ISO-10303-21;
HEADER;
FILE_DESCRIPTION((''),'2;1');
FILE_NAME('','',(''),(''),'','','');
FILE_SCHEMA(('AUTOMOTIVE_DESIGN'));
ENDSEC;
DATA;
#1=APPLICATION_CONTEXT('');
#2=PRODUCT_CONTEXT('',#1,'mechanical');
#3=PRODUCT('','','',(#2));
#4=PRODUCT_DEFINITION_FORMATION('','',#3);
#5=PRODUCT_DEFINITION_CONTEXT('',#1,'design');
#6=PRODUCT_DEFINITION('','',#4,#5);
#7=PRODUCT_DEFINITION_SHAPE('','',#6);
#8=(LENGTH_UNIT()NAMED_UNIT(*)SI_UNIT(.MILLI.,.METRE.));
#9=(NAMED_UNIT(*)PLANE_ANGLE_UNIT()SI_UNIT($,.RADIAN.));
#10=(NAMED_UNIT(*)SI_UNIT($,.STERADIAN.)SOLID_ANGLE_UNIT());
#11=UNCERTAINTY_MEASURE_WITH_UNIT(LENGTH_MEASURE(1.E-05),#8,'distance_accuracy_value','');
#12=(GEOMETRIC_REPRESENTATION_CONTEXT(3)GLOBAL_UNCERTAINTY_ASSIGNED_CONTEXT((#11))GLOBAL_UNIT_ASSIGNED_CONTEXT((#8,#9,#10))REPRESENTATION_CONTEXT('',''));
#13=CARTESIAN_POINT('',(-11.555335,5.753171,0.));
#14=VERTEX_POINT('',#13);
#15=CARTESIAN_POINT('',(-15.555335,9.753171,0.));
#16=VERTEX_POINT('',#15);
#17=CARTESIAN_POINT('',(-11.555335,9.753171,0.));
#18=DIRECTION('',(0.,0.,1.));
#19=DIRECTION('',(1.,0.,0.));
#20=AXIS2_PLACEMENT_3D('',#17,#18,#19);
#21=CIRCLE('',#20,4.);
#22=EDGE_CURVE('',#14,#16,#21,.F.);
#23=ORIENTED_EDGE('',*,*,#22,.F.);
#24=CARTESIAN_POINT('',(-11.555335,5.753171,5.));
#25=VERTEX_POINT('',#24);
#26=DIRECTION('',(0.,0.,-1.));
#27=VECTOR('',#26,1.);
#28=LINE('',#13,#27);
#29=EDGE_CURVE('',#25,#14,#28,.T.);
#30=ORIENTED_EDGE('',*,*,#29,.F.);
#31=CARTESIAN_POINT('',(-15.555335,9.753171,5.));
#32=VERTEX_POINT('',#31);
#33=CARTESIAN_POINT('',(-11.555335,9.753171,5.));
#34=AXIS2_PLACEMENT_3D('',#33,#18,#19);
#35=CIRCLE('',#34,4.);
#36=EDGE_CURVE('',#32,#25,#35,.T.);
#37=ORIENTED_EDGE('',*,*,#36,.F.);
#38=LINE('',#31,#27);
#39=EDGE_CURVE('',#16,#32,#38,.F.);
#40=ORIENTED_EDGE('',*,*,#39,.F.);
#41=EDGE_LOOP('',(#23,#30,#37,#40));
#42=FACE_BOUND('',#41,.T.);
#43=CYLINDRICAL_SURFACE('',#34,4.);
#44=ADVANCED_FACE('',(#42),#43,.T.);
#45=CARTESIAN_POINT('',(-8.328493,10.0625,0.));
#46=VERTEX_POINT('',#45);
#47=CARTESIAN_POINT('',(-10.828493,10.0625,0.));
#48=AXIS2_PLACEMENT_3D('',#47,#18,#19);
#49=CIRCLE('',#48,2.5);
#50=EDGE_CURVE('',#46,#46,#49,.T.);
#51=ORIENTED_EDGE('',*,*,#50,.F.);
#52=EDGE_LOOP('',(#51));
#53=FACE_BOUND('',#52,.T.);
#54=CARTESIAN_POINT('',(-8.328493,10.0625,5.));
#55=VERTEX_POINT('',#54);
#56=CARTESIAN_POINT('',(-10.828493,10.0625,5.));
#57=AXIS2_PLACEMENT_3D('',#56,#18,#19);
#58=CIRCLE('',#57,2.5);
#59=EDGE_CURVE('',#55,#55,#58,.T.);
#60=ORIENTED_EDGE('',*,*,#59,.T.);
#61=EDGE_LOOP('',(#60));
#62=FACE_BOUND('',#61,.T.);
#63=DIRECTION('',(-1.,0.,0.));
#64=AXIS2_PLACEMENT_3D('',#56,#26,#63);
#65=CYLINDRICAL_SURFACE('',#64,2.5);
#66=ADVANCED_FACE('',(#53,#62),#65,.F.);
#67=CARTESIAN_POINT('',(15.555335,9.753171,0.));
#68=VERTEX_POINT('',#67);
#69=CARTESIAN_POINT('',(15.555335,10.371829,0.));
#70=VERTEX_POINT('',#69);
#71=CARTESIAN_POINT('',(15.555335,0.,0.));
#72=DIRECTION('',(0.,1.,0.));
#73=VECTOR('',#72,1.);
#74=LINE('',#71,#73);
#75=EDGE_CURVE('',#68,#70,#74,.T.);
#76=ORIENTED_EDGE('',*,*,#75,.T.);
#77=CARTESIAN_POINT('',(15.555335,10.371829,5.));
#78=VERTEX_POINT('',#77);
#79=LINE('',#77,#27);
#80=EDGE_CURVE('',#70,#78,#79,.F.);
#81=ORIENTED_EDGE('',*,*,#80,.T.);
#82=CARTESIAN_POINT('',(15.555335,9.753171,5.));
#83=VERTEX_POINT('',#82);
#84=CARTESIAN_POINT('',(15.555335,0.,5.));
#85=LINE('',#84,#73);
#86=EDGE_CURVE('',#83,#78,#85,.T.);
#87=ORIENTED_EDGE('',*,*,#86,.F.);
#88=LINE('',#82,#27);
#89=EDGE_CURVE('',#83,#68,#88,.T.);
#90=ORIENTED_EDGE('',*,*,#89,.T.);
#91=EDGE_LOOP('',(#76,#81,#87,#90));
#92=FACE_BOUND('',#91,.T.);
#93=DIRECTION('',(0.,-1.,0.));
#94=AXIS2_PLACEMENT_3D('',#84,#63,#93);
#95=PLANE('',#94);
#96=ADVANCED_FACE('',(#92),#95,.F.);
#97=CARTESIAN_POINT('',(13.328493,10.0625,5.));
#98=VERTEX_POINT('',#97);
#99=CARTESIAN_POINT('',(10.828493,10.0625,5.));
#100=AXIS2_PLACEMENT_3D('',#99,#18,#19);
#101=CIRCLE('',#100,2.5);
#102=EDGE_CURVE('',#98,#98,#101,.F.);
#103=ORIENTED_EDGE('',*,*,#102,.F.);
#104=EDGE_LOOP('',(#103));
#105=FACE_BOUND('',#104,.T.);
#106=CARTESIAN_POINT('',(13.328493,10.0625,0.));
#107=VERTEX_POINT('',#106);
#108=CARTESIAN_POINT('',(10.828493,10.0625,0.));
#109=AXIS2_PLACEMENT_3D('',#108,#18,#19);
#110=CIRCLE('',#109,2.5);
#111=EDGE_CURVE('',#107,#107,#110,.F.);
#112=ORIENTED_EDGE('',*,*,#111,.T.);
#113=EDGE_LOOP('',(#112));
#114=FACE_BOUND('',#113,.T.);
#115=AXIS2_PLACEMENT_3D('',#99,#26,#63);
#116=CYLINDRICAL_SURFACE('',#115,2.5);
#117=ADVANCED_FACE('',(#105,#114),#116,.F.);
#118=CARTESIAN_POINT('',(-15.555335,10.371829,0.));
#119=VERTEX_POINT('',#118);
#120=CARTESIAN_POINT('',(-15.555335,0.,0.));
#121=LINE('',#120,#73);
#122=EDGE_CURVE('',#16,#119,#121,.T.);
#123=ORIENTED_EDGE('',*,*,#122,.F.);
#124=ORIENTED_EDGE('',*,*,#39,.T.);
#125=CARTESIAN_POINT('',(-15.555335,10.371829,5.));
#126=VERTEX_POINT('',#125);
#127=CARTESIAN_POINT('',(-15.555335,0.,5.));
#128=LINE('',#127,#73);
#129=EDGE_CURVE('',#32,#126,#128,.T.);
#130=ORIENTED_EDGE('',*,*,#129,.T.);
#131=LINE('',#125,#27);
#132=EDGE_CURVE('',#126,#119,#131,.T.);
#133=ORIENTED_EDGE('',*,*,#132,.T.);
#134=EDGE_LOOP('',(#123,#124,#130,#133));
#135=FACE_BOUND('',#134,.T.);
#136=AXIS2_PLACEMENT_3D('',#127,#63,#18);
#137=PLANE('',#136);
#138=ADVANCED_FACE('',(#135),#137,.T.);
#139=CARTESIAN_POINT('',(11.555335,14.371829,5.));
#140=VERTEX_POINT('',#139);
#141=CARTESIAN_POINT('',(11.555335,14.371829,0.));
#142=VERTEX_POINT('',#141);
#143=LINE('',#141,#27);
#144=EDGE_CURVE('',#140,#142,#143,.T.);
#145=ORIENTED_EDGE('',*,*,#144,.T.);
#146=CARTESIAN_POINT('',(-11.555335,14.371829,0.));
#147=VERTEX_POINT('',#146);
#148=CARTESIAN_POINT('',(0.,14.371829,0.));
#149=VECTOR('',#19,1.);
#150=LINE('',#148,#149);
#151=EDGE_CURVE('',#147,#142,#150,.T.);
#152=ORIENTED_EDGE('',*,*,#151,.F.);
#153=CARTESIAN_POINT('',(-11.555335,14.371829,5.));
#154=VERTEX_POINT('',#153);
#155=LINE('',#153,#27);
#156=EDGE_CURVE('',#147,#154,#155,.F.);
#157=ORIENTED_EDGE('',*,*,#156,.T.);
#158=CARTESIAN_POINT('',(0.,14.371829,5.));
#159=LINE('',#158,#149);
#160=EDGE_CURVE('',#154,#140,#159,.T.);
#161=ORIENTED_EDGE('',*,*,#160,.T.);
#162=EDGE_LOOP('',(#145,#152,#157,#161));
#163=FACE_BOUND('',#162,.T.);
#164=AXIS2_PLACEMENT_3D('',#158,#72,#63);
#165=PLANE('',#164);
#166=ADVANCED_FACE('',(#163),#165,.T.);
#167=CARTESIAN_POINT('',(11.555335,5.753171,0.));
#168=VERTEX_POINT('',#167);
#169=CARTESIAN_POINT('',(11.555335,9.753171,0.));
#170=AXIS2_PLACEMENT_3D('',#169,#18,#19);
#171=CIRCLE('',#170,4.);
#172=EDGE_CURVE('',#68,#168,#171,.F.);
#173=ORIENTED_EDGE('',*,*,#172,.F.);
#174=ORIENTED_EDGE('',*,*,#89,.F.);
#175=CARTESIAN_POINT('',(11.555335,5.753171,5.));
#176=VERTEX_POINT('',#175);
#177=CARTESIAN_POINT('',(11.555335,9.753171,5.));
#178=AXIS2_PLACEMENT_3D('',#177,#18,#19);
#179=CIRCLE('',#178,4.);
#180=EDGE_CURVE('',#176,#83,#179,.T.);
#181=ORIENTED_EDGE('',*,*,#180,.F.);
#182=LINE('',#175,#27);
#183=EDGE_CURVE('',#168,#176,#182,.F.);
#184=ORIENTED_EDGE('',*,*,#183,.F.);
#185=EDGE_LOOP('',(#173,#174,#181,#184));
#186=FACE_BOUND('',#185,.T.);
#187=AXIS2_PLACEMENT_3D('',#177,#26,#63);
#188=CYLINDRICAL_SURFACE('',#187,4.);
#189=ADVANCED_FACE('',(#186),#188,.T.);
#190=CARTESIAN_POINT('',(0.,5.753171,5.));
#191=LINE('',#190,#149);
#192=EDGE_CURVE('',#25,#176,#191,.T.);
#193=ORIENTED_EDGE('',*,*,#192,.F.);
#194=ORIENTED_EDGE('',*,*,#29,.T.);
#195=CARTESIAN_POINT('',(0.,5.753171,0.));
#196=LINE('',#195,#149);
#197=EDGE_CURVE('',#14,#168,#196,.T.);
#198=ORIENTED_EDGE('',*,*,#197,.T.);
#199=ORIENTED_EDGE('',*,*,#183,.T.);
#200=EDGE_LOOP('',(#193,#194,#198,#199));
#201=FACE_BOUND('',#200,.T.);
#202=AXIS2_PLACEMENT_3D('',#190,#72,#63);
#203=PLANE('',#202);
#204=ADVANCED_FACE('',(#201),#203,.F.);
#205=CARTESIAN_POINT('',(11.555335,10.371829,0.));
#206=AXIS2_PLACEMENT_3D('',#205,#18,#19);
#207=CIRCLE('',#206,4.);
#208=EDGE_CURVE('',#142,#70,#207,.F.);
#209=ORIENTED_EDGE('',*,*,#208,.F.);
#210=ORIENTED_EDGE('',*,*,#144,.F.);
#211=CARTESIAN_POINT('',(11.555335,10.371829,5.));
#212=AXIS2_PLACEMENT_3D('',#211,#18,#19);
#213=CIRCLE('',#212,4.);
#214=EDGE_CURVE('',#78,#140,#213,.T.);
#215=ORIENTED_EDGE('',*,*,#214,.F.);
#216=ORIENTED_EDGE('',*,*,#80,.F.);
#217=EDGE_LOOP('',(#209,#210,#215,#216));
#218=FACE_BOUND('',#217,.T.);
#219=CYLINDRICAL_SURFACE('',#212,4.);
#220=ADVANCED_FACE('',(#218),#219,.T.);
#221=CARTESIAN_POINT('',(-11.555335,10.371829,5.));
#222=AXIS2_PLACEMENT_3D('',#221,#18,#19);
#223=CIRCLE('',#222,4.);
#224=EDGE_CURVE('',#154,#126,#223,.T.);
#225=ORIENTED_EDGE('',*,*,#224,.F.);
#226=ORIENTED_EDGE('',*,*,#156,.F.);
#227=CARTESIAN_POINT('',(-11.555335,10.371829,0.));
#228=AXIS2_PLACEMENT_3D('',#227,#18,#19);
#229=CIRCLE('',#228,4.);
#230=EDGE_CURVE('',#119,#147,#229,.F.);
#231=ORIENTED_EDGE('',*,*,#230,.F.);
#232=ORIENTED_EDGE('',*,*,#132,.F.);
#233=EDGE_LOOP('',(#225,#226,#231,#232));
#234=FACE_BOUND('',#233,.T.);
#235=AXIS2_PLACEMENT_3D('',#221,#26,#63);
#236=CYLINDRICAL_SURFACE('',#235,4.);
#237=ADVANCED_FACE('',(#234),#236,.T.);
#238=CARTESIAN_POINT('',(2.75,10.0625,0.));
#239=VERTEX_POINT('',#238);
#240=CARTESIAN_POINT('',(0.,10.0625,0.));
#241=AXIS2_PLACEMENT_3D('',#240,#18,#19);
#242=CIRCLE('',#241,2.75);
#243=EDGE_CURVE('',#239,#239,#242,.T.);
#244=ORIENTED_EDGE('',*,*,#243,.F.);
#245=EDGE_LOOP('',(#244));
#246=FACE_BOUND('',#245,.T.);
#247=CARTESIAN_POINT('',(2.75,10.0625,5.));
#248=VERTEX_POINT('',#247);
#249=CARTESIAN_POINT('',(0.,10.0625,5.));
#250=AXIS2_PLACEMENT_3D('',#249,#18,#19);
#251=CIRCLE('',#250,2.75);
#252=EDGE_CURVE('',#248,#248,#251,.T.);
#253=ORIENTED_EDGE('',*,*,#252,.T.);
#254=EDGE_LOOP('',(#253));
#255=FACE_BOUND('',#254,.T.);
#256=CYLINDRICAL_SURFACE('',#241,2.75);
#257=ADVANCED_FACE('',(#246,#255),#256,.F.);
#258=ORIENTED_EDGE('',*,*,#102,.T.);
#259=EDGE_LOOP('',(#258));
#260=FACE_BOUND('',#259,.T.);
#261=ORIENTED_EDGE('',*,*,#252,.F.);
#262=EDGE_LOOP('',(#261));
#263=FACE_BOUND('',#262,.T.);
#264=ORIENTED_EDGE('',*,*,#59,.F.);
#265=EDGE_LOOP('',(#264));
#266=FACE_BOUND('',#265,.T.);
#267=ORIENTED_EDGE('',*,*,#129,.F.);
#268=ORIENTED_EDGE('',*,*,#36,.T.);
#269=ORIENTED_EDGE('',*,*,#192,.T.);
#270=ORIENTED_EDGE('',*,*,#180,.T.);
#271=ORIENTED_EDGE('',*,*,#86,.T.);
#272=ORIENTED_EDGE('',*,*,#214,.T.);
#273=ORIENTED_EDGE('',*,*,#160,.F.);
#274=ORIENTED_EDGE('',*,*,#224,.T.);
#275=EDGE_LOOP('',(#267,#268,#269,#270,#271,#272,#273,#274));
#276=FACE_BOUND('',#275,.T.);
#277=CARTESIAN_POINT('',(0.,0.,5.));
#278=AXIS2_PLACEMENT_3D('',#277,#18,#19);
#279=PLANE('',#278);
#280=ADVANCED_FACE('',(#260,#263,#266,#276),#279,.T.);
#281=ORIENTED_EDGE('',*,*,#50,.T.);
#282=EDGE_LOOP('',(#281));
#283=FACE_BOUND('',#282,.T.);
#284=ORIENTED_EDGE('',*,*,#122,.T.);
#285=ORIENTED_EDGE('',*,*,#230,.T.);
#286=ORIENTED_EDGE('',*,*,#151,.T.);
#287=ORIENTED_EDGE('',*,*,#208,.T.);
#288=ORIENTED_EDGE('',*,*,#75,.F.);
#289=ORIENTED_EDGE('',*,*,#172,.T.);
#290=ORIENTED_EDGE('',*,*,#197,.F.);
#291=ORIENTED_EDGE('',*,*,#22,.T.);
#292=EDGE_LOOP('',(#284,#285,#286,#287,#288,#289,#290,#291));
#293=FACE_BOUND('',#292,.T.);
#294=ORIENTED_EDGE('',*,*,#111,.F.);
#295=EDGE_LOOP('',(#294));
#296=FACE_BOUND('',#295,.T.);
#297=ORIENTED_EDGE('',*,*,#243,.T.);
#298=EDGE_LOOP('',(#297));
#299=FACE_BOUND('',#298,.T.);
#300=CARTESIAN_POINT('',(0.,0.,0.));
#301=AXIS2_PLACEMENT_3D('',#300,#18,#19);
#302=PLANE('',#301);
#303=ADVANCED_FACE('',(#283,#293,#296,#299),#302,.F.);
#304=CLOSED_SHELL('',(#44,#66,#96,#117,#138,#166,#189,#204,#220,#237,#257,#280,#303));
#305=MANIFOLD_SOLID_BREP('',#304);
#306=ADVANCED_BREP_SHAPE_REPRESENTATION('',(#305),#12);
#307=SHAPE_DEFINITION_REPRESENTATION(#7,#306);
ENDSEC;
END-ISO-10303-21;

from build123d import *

# Parameters (mm, degrees)
SKETCH1_W           = 15.555334961
SKETCH1_H           = 8.618657178
SKETCH1_R           = 2.5
BOSS_EXTRUDE1_DEPTH = 5
SKETCH2_R           = 2.75
CUT_EXTRUDE1_DEPTH  = 22.76046651
FILLET1_R           = 4


with BuildPart() as part:
    # Sketch1 → Boss-Extrude1 (new body)
    # profile 1 of 2: a face of its own
    with BuildSketch(Plane.XY):
        with Locations((-7.777667481, 10.0625)):
            Rectangle(SKETCH1_W, SKETCH1_H)
        with Locations((-10.828492502, 10.0625)):
            Circle(SKETCH1_R, mode=Mode.SUBTRACT)
    # profile 2 of 2: a face of its own
    with BuildSketch(Plane.XY):
        with Locations((7.777667481, 10.0625)):
            Rectangle(SKETCH1_W, SKETCH1_H)
        with Locations((10.828492502, 10.0625)):
            Circle(SKETCH1_R, mode=Mode.SUBTRACT)
    extrude(amount=BOSS_EXTRUDE1_DEPTH)

    # Sketch2 → Cut-Extrude1 (cut, through all)
    with BuildSketch(Plane.XY.offset(5)):
        with Locations((0, 10.0625)):
            Circle(SKETCH2_R)
    extrude(amount=-CUT_EXTRUDE1_DEPTH, mode=Mode.SUBTRACT)

    # Fillet1
    fillet1_edges = [part.edges().sort_by_distance(p)[0] for p in [
        (15.555334961, 14.371828589, 2.5),
        (15.555334961, 5.753171411, 2.5),
        (-15.555334961, 5.753171411, 2.5),
        (-15.555334961, 14.371828589, 2.5),
    ]]
    fillet(fillet1_edges, radius=FILLET1_R)


solid = part.part
